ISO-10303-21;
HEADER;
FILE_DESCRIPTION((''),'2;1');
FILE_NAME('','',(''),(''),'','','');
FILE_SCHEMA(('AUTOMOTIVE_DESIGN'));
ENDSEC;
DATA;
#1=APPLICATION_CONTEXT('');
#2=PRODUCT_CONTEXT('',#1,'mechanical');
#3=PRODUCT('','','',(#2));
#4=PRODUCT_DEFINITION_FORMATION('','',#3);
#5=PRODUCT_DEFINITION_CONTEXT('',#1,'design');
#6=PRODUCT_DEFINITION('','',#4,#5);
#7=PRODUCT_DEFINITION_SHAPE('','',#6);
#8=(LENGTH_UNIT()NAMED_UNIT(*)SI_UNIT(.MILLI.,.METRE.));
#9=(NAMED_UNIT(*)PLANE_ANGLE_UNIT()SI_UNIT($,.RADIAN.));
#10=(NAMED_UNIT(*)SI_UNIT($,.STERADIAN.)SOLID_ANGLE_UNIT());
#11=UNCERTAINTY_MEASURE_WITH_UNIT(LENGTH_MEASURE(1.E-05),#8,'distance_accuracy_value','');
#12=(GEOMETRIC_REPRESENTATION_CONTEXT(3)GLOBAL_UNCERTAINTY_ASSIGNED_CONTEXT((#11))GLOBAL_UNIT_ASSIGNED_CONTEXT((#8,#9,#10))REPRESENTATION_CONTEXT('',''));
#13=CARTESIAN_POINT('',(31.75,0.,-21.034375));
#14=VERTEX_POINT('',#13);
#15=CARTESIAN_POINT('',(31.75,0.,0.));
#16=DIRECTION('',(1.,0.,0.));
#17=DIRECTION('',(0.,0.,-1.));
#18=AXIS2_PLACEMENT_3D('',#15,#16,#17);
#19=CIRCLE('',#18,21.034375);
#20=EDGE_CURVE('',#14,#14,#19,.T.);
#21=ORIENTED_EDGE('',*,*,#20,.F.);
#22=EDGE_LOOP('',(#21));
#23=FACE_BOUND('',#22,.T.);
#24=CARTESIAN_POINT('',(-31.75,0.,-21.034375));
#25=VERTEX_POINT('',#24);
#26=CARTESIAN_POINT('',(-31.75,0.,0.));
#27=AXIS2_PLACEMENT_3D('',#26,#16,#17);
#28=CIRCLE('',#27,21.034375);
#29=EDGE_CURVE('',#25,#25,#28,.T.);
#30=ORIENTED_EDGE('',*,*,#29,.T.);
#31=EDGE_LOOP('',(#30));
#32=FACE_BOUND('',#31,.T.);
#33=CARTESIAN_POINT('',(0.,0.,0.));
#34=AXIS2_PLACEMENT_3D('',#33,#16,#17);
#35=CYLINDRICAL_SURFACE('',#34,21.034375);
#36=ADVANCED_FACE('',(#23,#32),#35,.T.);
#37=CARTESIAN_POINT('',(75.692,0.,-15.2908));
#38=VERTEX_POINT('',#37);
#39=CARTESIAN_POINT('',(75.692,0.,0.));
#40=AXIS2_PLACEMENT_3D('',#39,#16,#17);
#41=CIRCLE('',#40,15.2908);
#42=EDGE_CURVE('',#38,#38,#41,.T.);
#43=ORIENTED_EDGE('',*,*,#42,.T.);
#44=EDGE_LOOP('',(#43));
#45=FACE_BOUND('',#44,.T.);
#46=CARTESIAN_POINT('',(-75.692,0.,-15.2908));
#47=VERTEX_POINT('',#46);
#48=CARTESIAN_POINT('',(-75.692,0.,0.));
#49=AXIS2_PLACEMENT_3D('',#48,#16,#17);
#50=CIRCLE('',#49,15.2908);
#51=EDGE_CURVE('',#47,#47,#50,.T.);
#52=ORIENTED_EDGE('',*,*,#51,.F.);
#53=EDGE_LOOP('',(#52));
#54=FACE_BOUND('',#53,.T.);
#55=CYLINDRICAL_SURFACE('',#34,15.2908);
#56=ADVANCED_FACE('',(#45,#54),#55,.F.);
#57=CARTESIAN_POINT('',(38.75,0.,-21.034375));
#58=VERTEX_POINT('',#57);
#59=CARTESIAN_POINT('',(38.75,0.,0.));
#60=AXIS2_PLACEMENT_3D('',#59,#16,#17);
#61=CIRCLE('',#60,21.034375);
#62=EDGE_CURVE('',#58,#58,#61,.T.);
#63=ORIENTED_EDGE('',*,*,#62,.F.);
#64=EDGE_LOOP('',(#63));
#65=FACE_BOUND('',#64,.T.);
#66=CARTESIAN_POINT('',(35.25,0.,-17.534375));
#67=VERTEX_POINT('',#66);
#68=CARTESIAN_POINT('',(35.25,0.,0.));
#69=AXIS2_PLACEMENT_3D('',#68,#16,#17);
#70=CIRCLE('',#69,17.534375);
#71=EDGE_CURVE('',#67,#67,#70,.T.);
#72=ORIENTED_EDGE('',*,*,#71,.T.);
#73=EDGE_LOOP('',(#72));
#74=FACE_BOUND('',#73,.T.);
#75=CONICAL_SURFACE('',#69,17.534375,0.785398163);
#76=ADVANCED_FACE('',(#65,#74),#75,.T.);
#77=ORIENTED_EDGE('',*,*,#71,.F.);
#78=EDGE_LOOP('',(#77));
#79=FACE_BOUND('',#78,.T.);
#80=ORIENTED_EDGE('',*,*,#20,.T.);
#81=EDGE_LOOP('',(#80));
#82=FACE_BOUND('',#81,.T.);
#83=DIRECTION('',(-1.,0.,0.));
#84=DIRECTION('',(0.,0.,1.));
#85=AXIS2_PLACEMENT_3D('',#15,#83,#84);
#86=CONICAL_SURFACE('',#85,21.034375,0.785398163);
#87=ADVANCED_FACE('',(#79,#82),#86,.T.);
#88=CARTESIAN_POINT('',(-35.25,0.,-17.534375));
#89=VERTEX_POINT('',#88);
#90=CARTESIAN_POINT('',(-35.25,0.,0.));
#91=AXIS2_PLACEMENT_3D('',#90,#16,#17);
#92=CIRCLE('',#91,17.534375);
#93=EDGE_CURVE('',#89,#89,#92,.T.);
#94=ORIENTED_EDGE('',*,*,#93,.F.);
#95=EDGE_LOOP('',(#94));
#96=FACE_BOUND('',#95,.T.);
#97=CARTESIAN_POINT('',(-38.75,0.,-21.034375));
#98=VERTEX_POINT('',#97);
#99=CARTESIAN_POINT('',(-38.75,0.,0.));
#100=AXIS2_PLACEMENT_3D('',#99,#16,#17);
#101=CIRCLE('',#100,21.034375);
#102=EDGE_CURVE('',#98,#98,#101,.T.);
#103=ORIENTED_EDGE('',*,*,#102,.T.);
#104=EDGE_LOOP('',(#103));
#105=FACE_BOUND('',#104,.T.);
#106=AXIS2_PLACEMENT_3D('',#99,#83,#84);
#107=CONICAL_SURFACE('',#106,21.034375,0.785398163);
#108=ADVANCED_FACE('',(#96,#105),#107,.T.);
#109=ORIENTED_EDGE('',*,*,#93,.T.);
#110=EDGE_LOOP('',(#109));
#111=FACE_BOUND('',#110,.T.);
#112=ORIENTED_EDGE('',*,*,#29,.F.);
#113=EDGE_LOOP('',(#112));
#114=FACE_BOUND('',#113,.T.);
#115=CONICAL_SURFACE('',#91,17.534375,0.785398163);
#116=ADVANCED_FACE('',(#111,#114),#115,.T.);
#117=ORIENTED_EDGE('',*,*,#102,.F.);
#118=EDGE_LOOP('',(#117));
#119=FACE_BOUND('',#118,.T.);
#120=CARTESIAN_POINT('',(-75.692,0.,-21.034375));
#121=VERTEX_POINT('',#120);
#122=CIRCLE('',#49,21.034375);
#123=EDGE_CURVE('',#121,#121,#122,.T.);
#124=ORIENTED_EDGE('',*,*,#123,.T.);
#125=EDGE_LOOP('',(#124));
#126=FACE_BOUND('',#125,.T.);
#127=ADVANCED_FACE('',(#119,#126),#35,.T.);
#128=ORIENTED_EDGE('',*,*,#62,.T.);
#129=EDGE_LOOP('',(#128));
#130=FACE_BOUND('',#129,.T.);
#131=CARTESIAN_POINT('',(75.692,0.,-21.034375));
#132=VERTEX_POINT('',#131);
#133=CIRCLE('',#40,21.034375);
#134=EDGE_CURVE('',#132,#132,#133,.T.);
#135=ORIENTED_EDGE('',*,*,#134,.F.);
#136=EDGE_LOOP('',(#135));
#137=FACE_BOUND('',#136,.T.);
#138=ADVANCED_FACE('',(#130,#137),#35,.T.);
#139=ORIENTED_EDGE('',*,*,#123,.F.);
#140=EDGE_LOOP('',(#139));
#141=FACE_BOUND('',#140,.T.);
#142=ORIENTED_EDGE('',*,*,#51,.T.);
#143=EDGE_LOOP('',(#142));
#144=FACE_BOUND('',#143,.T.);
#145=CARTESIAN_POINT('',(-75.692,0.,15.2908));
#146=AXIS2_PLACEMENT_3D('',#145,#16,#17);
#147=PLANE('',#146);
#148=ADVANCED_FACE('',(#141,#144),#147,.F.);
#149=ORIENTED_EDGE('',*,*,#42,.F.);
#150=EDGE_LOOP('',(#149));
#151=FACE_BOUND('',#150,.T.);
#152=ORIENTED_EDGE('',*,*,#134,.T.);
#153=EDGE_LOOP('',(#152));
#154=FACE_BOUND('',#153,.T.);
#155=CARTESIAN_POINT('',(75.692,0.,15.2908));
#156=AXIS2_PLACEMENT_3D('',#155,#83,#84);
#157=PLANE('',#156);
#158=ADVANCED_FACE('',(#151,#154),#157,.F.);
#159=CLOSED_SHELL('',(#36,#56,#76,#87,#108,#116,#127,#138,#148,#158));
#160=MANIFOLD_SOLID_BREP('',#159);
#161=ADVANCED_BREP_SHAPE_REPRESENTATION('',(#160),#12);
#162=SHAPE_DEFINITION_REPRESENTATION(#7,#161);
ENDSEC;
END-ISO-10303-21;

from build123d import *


with BuildPart() as part:
    # Sketch1 → Revolve1 (revolve)
    with BuildSketch(Plane(origin=(0, 0, 0), x_dir=(1, 0, 0), z_dir=(0, 1, 0)), mode=Mode.PRIVATE) as revolve1_sk:
        Polygon((75.692, -15.2908), (-75.692, -15.2908), (-75.692, -21.034375), (-38.75, -21.034375), (-35.25, -17.534375), (-31.75, -21.034375), (31.75, -21.034375), (35.25, -17.534375), (38.75, -21.034375), (75.692, -21.034375), align=None)
    revolve(revolve1_sk.sketch.rotate(Axis((0, 0, 0), (-1, 0, 0)), 180), axis=Axis((0, 0, 0), (-1, 0, 0)))


solid = part.part
